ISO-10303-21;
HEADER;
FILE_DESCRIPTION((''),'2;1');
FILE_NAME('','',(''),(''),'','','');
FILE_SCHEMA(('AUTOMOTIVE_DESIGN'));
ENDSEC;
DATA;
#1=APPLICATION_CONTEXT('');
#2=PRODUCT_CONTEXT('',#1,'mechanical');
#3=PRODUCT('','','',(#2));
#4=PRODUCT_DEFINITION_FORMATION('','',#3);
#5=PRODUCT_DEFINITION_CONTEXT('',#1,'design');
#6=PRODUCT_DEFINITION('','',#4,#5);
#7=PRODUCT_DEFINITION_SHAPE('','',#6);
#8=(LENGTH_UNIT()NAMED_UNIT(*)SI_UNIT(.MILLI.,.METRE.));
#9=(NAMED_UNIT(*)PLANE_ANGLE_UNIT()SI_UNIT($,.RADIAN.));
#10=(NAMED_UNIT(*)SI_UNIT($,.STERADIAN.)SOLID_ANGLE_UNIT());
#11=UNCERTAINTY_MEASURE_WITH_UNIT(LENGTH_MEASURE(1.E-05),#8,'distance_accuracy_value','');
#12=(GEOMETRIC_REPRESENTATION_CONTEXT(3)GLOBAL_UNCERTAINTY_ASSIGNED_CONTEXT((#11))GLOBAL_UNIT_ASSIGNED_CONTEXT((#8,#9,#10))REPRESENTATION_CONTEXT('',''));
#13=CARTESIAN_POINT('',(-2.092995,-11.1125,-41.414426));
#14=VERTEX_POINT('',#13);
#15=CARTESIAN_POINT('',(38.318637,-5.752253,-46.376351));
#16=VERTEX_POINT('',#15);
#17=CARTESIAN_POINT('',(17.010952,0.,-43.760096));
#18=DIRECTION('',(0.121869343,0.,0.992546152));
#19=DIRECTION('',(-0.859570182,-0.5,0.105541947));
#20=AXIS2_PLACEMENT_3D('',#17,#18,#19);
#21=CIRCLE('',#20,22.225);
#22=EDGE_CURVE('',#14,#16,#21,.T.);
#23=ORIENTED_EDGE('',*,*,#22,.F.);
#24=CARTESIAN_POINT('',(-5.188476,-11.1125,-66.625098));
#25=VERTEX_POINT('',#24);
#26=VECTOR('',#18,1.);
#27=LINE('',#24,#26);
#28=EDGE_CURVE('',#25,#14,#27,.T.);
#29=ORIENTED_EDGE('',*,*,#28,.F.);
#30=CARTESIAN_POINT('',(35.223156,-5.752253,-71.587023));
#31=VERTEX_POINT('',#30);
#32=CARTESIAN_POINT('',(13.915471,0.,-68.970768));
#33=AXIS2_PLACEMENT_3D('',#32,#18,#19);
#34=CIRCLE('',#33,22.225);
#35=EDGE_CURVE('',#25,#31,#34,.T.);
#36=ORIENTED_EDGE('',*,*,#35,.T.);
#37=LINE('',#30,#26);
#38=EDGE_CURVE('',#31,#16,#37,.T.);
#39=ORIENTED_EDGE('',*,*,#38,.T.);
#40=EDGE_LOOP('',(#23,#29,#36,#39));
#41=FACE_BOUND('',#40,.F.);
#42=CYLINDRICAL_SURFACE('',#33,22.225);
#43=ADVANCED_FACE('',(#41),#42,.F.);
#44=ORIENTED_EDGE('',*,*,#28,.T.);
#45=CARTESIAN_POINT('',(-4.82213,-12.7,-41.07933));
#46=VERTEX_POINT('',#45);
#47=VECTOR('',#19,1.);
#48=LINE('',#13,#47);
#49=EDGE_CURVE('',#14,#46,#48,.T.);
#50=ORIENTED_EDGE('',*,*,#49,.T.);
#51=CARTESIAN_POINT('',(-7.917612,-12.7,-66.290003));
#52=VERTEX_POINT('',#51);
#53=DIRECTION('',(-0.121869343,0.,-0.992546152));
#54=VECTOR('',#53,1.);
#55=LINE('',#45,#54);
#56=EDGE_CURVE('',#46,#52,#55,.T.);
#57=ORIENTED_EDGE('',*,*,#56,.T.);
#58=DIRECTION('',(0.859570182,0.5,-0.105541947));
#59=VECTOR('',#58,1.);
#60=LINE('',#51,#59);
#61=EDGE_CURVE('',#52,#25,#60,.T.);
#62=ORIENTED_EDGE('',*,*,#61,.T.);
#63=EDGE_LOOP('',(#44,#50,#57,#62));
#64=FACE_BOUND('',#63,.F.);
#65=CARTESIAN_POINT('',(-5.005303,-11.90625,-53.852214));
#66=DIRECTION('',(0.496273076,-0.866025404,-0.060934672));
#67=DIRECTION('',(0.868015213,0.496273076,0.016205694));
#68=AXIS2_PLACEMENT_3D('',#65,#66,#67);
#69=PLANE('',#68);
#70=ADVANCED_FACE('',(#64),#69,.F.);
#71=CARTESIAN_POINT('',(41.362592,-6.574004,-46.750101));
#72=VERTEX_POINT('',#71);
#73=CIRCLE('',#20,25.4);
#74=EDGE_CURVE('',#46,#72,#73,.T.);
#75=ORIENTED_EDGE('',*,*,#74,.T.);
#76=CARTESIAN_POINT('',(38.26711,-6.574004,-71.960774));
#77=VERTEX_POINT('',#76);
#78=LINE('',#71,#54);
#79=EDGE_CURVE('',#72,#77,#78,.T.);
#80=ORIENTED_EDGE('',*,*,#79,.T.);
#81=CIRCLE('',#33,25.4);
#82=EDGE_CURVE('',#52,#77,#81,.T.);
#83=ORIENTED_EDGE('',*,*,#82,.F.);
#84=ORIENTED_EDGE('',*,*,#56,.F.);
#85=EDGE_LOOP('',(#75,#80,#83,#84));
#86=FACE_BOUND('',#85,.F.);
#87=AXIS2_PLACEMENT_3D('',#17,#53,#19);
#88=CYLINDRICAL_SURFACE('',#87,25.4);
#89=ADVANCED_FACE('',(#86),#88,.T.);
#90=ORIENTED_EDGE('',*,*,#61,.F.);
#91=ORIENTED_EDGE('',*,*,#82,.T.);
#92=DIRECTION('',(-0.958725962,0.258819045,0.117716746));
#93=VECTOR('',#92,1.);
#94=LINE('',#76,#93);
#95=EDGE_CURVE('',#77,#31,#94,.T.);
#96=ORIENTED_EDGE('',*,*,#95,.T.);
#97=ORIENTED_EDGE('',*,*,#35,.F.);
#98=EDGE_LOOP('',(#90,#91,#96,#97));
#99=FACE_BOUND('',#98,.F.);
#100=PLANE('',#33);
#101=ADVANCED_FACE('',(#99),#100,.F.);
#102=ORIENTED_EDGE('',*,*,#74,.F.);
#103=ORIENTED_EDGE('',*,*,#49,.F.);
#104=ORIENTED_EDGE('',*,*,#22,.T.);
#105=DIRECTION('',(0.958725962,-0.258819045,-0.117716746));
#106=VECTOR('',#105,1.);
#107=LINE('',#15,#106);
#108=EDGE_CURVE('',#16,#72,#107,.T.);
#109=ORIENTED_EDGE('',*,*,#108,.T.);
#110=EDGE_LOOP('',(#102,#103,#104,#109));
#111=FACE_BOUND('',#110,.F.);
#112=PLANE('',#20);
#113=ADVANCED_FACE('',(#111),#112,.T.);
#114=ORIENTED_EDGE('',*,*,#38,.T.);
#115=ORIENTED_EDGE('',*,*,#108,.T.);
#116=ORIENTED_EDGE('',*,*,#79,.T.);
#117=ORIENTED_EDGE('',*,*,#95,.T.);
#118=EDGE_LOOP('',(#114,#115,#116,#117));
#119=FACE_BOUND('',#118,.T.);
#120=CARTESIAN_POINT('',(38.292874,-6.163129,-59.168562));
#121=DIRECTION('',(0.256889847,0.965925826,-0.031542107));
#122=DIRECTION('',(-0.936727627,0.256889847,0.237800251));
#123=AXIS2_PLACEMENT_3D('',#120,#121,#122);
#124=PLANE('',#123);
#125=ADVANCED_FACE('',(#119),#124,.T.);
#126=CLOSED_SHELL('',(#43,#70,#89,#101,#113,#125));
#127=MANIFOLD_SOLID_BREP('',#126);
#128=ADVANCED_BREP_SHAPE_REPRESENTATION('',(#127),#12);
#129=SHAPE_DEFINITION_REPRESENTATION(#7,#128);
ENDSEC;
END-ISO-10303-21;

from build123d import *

# Parameters (mm, degrees)
F1_ANGLE_START = 30
F1_ANGLE       = 135


with BuildPart() as f1:
    # F0 (on Front) → F1 (revolve)
    with BuildSketch(Plane.XZ, mode=Mode.PRIVATE) as f1_sk:
        Polygon((-11.2952012285, -65.8752868371), (-8.1438671971, -66.2622220024), (-5.0483858746, -41.0515497508), (-8.1997199061, -40.6646145854), align=None)
    revolve(f1_sk.sketch.rotate(Axis((15.4632116844, 0, -56.3654320338), (0.1218693434, 0, 0.9925461516)), F1_ANGLE_START), axis=Axis((15.4632116844, 0, -56.3654320338), (0.1218693434, 0, 0.9925461516)), revolution_arc=F1_ANGLE)


solid = f1.part
